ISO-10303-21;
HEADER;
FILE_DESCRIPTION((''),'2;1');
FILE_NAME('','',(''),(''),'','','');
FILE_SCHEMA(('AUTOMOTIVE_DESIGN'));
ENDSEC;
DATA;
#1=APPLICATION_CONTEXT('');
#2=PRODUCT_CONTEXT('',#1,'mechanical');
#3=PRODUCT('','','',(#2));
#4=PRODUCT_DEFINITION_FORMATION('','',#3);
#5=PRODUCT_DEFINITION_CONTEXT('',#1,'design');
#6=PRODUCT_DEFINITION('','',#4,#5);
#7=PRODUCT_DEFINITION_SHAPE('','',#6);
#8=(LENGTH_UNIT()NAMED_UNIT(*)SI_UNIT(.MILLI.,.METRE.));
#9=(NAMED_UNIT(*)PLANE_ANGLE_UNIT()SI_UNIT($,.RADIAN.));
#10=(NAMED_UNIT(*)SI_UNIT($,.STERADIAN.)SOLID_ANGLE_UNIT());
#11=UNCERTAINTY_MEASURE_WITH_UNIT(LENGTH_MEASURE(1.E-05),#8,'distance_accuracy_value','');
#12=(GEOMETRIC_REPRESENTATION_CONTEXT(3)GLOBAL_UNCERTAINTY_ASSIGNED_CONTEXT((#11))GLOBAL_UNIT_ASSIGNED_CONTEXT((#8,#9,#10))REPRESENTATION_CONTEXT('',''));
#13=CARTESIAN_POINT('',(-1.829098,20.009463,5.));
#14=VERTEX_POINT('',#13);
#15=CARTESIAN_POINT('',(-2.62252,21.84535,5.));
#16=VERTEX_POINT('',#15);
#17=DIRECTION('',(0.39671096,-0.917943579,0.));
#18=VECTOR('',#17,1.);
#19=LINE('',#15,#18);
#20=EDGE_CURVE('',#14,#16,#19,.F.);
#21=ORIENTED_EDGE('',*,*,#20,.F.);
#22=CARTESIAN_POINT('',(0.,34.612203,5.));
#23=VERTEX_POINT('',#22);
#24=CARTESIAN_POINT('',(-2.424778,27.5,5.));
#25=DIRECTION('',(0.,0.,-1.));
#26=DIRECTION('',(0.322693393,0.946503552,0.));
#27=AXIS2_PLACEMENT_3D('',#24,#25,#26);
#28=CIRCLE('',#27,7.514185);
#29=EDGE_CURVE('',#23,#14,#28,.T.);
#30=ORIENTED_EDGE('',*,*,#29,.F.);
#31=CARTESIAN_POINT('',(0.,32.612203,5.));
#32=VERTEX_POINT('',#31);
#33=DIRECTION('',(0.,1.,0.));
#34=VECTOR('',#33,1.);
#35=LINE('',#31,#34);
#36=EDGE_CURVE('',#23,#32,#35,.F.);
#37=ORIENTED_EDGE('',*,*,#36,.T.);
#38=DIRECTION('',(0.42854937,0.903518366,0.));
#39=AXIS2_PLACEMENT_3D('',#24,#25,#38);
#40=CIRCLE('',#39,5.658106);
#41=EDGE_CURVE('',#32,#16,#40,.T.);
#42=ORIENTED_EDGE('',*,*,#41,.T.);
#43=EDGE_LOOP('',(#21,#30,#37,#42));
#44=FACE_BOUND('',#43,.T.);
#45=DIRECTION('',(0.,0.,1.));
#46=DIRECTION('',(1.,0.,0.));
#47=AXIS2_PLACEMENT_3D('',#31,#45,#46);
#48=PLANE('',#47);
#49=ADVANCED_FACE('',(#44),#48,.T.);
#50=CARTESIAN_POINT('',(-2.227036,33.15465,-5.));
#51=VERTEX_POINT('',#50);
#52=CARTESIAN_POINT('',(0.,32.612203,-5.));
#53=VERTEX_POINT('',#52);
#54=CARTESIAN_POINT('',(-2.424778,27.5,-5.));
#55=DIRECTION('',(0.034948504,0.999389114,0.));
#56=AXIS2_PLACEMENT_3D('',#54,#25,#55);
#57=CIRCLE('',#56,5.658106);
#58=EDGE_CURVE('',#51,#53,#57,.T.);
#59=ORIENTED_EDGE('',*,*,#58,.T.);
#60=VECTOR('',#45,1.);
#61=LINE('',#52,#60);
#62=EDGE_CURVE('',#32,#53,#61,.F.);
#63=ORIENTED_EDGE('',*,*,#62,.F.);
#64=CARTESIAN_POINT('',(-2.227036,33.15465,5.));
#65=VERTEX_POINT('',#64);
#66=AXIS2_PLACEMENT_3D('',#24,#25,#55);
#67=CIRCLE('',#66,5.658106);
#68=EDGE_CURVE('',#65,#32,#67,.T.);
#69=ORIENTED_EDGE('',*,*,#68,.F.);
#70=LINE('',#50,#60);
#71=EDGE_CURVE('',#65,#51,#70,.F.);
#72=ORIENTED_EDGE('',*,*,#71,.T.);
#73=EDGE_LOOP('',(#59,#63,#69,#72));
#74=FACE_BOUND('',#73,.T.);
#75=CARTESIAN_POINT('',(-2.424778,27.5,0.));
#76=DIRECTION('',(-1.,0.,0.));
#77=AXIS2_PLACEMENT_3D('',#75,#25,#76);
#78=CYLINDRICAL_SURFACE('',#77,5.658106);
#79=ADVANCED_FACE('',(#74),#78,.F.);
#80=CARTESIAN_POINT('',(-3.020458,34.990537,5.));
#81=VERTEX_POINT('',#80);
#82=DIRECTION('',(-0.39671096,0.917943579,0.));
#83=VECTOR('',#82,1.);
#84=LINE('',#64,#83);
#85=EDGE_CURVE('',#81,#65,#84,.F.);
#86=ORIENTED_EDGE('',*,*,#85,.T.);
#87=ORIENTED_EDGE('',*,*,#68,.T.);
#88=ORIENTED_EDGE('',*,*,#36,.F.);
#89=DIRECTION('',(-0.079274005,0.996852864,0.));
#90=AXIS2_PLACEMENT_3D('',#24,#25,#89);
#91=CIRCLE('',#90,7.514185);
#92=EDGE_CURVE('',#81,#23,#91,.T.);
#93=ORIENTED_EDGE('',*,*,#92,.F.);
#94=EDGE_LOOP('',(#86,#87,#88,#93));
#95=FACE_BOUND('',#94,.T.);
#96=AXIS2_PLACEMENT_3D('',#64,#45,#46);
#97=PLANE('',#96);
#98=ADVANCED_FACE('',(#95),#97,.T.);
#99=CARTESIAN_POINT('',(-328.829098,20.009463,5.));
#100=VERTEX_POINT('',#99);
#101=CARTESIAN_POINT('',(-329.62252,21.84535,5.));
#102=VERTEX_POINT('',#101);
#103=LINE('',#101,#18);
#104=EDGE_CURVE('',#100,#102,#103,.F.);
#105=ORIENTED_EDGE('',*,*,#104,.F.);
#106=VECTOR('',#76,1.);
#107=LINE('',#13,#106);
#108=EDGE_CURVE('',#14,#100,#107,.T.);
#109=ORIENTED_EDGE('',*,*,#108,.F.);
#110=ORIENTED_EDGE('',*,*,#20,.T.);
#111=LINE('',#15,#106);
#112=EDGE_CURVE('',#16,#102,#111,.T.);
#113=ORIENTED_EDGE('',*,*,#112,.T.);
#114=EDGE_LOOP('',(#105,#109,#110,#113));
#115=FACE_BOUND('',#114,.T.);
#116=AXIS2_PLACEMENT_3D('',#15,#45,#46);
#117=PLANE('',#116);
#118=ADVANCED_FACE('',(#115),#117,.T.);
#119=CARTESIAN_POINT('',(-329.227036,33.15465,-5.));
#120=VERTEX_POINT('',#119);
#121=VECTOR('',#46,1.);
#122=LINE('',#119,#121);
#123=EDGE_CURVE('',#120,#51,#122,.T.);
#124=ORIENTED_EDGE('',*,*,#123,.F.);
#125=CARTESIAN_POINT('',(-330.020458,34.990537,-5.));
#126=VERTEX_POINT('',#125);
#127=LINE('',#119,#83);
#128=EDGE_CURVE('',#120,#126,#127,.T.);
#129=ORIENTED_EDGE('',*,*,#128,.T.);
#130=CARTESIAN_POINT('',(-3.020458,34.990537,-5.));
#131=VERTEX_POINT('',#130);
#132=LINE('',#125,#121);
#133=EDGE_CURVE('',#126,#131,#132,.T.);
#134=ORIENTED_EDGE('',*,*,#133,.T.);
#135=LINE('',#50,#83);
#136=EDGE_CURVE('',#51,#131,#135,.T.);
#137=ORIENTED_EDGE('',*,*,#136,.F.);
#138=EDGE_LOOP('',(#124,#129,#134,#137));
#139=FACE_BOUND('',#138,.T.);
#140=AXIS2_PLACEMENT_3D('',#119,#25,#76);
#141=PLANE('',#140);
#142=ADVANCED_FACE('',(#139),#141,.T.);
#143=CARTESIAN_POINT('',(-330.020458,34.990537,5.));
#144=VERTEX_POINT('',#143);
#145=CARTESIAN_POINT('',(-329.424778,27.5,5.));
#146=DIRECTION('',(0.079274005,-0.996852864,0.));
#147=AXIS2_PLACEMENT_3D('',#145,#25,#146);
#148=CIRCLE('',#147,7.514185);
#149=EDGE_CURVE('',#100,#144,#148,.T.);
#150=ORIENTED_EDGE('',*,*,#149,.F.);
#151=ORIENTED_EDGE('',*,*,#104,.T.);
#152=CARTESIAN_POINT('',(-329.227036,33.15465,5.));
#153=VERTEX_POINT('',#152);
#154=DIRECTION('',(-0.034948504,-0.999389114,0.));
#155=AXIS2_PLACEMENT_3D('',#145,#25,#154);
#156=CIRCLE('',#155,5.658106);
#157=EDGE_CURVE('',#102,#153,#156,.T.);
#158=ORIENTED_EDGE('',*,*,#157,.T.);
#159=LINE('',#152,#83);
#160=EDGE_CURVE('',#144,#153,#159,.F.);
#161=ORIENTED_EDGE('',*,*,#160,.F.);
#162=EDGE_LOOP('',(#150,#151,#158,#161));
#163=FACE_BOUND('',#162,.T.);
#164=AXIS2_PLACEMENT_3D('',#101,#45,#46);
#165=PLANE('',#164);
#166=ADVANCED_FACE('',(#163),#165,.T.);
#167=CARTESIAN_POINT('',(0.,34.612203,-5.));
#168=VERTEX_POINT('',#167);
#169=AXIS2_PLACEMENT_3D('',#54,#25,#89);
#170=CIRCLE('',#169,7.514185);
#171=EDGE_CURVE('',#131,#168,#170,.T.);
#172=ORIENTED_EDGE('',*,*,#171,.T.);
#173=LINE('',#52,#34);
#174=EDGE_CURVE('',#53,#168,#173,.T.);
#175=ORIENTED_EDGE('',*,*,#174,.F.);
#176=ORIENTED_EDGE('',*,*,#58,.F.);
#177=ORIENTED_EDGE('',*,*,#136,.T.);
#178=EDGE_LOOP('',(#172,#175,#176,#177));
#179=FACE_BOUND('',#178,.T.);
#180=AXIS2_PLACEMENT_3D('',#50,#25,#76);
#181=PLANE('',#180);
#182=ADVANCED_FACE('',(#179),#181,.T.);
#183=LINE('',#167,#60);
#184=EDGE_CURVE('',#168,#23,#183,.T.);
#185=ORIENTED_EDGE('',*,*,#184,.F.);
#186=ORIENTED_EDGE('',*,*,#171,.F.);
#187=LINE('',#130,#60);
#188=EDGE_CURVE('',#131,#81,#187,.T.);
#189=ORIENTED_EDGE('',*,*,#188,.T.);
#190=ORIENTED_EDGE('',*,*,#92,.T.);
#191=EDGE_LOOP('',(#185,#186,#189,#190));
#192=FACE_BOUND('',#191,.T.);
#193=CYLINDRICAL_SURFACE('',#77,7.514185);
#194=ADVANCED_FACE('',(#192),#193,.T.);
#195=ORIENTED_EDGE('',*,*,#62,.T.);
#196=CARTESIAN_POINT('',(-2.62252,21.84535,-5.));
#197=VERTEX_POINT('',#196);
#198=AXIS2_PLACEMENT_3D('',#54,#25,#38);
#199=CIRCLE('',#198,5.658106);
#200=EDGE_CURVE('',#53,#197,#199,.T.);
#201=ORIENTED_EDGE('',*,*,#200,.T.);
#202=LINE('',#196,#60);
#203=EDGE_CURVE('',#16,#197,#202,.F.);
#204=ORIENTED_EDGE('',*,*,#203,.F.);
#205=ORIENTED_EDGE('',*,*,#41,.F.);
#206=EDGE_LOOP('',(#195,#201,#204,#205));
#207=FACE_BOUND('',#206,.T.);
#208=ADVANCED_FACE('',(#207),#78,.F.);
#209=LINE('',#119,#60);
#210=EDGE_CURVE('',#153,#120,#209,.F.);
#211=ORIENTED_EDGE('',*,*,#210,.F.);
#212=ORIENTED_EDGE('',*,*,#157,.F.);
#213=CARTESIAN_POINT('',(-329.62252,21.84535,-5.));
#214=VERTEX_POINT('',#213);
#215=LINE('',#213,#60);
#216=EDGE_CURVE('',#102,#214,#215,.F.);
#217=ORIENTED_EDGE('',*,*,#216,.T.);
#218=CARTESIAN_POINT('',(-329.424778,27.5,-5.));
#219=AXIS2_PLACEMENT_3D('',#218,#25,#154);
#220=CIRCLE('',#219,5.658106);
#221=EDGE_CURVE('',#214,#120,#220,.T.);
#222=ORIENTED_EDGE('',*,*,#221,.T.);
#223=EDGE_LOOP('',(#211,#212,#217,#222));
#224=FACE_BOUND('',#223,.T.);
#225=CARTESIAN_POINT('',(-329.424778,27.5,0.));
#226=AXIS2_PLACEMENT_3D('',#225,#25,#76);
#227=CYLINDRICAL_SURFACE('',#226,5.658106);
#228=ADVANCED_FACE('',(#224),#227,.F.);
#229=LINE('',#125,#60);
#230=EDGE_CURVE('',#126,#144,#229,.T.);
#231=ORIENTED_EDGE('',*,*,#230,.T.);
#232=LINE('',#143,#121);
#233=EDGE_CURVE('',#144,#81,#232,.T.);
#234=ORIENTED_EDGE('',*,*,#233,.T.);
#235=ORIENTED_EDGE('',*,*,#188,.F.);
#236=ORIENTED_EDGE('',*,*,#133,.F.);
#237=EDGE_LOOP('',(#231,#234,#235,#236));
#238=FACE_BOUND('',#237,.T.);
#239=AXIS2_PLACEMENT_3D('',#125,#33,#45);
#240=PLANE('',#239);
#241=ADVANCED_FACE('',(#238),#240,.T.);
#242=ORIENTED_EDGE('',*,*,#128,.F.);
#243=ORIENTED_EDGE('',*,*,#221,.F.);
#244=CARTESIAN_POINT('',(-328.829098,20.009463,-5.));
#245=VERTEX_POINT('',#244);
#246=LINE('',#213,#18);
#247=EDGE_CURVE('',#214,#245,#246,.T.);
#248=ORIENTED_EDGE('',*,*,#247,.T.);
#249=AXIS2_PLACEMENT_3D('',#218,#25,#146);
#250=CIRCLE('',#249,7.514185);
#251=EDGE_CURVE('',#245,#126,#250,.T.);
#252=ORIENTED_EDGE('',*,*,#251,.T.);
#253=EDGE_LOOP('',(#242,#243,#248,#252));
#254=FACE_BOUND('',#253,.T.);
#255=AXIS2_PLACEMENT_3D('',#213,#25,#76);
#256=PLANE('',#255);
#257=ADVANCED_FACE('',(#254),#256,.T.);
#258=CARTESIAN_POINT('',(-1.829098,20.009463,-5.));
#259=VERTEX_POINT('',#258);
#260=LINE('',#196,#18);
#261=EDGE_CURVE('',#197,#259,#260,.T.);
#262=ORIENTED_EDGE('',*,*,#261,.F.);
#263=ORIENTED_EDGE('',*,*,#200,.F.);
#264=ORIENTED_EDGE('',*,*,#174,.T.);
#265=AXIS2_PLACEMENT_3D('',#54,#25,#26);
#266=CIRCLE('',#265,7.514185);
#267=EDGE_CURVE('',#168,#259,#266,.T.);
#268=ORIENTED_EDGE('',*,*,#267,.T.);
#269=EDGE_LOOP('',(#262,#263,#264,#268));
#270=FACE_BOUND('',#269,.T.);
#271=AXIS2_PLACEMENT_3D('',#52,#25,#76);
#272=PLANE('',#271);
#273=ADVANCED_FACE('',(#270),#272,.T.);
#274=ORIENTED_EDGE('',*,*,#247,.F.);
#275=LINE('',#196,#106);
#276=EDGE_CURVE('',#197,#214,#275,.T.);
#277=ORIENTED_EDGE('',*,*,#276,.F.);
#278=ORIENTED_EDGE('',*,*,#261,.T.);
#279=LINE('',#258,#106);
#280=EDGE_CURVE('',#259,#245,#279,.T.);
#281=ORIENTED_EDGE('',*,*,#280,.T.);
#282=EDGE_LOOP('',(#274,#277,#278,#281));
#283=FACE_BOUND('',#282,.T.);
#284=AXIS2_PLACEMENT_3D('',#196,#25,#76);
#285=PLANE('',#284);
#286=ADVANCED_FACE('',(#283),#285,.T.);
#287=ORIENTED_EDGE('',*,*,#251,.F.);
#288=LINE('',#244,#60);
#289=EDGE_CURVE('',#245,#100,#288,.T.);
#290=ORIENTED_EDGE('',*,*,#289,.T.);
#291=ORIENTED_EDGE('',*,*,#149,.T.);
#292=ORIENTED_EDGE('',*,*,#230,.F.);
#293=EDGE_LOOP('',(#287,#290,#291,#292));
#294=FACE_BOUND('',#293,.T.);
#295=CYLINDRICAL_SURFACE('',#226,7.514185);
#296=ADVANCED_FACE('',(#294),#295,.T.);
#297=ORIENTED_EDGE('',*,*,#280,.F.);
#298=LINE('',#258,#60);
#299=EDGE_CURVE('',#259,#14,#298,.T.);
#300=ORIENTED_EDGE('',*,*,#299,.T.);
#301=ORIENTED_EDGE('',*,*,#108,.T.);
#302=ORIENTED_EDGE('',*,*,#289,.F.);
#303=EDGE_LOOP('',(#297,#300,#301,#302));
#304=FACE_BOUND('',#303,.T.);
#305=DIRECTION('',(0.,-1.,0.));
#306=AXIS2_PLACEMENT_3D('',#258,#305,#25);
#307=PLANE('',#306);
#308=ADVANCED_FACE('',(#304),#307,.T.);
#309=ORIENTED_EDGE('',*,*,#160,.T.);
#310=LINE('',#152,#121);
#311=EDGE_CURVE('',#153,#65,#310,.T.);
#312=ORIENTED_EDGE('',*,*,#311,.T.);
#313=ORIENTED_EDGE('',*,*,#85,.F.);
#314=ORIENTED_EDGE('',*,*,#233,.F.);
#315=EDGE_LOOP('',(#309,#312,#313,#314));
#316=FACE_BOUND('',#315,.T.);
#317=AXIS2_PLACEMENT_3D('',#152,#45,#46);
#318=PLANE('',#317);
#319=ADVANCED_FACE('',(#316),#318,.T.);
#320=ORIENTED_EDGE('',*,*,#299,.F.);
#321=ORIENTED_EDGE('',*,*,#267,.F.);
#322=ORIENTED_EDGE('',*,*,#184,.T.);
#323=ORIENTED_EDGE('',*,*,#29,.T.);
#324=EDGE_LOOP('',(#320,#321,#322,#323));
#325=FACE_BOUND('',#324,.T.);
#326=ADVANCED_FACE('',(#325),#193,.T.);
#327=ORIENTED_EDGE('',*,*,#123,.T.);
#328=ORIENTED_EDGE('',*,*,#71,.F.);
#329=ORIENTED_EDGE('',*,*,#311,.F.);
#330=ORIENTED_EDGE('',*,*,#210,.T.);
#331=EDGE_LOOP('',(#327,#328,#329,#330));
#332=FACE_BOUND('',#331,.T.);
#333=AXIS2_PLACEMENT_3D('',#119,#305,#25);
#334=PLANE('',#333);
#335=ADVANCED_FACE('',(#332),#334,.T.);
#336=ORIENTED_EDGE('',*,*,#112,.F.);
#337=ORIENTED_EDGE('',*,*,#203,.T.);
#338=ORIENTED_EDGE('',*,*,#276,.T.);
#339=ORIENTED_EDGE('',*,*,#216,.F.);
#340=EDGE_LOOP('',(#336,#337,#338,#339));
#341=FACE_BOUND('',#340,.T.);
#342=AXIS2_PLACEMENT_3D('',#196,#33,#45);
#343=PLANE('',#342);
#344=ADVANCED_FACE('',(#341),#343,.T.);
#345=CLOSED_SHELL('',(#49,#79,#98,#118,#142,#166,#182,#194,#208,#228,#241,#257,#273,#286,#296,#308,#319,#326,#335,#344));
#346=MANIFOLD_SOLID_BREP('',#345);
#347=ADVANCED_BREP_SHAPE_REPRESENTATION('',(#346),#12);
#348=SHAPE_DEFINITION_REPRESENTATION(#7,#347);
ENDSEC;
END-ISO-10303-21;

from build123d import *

# Parameters (mm, degrees)
SKETCH3_W = 10
SKETCH3_H = 2


with BuildPart() as part:
    # Sweep1: sweep along a path in Sketch2
    with BuildLine(Plane.XY) as sweep1_path:
        Line((-2.424777961, 21.387796899), (-329.424777961, 21.387796899))
        ThreePointArc((-329.424777961, 21.387796899), (-335.536981062, 27.5), (-329.424777961, 33.612203101))
        Line((-329.424777961, 33.612203101), (-2.424777961, 33.612203101))
        ThreePointArc((-2.424777961, 33.612203101), (3.68742514, 27.5), (-2.424777961, 21.387796899))
    # Sketch3 → Sweep1 (sweep)
    with BuildSketch(Plane(origin=(0, 0, 0), x_dir=(0, 0, -1), z_dir=(1, 0, 0))):
        with Locations((0, 33.612203101)):
            Rectangle(SKETCH3_W, SKETCH3_H)
    sweep(path=sweep1_path.line)


solid = part.part
